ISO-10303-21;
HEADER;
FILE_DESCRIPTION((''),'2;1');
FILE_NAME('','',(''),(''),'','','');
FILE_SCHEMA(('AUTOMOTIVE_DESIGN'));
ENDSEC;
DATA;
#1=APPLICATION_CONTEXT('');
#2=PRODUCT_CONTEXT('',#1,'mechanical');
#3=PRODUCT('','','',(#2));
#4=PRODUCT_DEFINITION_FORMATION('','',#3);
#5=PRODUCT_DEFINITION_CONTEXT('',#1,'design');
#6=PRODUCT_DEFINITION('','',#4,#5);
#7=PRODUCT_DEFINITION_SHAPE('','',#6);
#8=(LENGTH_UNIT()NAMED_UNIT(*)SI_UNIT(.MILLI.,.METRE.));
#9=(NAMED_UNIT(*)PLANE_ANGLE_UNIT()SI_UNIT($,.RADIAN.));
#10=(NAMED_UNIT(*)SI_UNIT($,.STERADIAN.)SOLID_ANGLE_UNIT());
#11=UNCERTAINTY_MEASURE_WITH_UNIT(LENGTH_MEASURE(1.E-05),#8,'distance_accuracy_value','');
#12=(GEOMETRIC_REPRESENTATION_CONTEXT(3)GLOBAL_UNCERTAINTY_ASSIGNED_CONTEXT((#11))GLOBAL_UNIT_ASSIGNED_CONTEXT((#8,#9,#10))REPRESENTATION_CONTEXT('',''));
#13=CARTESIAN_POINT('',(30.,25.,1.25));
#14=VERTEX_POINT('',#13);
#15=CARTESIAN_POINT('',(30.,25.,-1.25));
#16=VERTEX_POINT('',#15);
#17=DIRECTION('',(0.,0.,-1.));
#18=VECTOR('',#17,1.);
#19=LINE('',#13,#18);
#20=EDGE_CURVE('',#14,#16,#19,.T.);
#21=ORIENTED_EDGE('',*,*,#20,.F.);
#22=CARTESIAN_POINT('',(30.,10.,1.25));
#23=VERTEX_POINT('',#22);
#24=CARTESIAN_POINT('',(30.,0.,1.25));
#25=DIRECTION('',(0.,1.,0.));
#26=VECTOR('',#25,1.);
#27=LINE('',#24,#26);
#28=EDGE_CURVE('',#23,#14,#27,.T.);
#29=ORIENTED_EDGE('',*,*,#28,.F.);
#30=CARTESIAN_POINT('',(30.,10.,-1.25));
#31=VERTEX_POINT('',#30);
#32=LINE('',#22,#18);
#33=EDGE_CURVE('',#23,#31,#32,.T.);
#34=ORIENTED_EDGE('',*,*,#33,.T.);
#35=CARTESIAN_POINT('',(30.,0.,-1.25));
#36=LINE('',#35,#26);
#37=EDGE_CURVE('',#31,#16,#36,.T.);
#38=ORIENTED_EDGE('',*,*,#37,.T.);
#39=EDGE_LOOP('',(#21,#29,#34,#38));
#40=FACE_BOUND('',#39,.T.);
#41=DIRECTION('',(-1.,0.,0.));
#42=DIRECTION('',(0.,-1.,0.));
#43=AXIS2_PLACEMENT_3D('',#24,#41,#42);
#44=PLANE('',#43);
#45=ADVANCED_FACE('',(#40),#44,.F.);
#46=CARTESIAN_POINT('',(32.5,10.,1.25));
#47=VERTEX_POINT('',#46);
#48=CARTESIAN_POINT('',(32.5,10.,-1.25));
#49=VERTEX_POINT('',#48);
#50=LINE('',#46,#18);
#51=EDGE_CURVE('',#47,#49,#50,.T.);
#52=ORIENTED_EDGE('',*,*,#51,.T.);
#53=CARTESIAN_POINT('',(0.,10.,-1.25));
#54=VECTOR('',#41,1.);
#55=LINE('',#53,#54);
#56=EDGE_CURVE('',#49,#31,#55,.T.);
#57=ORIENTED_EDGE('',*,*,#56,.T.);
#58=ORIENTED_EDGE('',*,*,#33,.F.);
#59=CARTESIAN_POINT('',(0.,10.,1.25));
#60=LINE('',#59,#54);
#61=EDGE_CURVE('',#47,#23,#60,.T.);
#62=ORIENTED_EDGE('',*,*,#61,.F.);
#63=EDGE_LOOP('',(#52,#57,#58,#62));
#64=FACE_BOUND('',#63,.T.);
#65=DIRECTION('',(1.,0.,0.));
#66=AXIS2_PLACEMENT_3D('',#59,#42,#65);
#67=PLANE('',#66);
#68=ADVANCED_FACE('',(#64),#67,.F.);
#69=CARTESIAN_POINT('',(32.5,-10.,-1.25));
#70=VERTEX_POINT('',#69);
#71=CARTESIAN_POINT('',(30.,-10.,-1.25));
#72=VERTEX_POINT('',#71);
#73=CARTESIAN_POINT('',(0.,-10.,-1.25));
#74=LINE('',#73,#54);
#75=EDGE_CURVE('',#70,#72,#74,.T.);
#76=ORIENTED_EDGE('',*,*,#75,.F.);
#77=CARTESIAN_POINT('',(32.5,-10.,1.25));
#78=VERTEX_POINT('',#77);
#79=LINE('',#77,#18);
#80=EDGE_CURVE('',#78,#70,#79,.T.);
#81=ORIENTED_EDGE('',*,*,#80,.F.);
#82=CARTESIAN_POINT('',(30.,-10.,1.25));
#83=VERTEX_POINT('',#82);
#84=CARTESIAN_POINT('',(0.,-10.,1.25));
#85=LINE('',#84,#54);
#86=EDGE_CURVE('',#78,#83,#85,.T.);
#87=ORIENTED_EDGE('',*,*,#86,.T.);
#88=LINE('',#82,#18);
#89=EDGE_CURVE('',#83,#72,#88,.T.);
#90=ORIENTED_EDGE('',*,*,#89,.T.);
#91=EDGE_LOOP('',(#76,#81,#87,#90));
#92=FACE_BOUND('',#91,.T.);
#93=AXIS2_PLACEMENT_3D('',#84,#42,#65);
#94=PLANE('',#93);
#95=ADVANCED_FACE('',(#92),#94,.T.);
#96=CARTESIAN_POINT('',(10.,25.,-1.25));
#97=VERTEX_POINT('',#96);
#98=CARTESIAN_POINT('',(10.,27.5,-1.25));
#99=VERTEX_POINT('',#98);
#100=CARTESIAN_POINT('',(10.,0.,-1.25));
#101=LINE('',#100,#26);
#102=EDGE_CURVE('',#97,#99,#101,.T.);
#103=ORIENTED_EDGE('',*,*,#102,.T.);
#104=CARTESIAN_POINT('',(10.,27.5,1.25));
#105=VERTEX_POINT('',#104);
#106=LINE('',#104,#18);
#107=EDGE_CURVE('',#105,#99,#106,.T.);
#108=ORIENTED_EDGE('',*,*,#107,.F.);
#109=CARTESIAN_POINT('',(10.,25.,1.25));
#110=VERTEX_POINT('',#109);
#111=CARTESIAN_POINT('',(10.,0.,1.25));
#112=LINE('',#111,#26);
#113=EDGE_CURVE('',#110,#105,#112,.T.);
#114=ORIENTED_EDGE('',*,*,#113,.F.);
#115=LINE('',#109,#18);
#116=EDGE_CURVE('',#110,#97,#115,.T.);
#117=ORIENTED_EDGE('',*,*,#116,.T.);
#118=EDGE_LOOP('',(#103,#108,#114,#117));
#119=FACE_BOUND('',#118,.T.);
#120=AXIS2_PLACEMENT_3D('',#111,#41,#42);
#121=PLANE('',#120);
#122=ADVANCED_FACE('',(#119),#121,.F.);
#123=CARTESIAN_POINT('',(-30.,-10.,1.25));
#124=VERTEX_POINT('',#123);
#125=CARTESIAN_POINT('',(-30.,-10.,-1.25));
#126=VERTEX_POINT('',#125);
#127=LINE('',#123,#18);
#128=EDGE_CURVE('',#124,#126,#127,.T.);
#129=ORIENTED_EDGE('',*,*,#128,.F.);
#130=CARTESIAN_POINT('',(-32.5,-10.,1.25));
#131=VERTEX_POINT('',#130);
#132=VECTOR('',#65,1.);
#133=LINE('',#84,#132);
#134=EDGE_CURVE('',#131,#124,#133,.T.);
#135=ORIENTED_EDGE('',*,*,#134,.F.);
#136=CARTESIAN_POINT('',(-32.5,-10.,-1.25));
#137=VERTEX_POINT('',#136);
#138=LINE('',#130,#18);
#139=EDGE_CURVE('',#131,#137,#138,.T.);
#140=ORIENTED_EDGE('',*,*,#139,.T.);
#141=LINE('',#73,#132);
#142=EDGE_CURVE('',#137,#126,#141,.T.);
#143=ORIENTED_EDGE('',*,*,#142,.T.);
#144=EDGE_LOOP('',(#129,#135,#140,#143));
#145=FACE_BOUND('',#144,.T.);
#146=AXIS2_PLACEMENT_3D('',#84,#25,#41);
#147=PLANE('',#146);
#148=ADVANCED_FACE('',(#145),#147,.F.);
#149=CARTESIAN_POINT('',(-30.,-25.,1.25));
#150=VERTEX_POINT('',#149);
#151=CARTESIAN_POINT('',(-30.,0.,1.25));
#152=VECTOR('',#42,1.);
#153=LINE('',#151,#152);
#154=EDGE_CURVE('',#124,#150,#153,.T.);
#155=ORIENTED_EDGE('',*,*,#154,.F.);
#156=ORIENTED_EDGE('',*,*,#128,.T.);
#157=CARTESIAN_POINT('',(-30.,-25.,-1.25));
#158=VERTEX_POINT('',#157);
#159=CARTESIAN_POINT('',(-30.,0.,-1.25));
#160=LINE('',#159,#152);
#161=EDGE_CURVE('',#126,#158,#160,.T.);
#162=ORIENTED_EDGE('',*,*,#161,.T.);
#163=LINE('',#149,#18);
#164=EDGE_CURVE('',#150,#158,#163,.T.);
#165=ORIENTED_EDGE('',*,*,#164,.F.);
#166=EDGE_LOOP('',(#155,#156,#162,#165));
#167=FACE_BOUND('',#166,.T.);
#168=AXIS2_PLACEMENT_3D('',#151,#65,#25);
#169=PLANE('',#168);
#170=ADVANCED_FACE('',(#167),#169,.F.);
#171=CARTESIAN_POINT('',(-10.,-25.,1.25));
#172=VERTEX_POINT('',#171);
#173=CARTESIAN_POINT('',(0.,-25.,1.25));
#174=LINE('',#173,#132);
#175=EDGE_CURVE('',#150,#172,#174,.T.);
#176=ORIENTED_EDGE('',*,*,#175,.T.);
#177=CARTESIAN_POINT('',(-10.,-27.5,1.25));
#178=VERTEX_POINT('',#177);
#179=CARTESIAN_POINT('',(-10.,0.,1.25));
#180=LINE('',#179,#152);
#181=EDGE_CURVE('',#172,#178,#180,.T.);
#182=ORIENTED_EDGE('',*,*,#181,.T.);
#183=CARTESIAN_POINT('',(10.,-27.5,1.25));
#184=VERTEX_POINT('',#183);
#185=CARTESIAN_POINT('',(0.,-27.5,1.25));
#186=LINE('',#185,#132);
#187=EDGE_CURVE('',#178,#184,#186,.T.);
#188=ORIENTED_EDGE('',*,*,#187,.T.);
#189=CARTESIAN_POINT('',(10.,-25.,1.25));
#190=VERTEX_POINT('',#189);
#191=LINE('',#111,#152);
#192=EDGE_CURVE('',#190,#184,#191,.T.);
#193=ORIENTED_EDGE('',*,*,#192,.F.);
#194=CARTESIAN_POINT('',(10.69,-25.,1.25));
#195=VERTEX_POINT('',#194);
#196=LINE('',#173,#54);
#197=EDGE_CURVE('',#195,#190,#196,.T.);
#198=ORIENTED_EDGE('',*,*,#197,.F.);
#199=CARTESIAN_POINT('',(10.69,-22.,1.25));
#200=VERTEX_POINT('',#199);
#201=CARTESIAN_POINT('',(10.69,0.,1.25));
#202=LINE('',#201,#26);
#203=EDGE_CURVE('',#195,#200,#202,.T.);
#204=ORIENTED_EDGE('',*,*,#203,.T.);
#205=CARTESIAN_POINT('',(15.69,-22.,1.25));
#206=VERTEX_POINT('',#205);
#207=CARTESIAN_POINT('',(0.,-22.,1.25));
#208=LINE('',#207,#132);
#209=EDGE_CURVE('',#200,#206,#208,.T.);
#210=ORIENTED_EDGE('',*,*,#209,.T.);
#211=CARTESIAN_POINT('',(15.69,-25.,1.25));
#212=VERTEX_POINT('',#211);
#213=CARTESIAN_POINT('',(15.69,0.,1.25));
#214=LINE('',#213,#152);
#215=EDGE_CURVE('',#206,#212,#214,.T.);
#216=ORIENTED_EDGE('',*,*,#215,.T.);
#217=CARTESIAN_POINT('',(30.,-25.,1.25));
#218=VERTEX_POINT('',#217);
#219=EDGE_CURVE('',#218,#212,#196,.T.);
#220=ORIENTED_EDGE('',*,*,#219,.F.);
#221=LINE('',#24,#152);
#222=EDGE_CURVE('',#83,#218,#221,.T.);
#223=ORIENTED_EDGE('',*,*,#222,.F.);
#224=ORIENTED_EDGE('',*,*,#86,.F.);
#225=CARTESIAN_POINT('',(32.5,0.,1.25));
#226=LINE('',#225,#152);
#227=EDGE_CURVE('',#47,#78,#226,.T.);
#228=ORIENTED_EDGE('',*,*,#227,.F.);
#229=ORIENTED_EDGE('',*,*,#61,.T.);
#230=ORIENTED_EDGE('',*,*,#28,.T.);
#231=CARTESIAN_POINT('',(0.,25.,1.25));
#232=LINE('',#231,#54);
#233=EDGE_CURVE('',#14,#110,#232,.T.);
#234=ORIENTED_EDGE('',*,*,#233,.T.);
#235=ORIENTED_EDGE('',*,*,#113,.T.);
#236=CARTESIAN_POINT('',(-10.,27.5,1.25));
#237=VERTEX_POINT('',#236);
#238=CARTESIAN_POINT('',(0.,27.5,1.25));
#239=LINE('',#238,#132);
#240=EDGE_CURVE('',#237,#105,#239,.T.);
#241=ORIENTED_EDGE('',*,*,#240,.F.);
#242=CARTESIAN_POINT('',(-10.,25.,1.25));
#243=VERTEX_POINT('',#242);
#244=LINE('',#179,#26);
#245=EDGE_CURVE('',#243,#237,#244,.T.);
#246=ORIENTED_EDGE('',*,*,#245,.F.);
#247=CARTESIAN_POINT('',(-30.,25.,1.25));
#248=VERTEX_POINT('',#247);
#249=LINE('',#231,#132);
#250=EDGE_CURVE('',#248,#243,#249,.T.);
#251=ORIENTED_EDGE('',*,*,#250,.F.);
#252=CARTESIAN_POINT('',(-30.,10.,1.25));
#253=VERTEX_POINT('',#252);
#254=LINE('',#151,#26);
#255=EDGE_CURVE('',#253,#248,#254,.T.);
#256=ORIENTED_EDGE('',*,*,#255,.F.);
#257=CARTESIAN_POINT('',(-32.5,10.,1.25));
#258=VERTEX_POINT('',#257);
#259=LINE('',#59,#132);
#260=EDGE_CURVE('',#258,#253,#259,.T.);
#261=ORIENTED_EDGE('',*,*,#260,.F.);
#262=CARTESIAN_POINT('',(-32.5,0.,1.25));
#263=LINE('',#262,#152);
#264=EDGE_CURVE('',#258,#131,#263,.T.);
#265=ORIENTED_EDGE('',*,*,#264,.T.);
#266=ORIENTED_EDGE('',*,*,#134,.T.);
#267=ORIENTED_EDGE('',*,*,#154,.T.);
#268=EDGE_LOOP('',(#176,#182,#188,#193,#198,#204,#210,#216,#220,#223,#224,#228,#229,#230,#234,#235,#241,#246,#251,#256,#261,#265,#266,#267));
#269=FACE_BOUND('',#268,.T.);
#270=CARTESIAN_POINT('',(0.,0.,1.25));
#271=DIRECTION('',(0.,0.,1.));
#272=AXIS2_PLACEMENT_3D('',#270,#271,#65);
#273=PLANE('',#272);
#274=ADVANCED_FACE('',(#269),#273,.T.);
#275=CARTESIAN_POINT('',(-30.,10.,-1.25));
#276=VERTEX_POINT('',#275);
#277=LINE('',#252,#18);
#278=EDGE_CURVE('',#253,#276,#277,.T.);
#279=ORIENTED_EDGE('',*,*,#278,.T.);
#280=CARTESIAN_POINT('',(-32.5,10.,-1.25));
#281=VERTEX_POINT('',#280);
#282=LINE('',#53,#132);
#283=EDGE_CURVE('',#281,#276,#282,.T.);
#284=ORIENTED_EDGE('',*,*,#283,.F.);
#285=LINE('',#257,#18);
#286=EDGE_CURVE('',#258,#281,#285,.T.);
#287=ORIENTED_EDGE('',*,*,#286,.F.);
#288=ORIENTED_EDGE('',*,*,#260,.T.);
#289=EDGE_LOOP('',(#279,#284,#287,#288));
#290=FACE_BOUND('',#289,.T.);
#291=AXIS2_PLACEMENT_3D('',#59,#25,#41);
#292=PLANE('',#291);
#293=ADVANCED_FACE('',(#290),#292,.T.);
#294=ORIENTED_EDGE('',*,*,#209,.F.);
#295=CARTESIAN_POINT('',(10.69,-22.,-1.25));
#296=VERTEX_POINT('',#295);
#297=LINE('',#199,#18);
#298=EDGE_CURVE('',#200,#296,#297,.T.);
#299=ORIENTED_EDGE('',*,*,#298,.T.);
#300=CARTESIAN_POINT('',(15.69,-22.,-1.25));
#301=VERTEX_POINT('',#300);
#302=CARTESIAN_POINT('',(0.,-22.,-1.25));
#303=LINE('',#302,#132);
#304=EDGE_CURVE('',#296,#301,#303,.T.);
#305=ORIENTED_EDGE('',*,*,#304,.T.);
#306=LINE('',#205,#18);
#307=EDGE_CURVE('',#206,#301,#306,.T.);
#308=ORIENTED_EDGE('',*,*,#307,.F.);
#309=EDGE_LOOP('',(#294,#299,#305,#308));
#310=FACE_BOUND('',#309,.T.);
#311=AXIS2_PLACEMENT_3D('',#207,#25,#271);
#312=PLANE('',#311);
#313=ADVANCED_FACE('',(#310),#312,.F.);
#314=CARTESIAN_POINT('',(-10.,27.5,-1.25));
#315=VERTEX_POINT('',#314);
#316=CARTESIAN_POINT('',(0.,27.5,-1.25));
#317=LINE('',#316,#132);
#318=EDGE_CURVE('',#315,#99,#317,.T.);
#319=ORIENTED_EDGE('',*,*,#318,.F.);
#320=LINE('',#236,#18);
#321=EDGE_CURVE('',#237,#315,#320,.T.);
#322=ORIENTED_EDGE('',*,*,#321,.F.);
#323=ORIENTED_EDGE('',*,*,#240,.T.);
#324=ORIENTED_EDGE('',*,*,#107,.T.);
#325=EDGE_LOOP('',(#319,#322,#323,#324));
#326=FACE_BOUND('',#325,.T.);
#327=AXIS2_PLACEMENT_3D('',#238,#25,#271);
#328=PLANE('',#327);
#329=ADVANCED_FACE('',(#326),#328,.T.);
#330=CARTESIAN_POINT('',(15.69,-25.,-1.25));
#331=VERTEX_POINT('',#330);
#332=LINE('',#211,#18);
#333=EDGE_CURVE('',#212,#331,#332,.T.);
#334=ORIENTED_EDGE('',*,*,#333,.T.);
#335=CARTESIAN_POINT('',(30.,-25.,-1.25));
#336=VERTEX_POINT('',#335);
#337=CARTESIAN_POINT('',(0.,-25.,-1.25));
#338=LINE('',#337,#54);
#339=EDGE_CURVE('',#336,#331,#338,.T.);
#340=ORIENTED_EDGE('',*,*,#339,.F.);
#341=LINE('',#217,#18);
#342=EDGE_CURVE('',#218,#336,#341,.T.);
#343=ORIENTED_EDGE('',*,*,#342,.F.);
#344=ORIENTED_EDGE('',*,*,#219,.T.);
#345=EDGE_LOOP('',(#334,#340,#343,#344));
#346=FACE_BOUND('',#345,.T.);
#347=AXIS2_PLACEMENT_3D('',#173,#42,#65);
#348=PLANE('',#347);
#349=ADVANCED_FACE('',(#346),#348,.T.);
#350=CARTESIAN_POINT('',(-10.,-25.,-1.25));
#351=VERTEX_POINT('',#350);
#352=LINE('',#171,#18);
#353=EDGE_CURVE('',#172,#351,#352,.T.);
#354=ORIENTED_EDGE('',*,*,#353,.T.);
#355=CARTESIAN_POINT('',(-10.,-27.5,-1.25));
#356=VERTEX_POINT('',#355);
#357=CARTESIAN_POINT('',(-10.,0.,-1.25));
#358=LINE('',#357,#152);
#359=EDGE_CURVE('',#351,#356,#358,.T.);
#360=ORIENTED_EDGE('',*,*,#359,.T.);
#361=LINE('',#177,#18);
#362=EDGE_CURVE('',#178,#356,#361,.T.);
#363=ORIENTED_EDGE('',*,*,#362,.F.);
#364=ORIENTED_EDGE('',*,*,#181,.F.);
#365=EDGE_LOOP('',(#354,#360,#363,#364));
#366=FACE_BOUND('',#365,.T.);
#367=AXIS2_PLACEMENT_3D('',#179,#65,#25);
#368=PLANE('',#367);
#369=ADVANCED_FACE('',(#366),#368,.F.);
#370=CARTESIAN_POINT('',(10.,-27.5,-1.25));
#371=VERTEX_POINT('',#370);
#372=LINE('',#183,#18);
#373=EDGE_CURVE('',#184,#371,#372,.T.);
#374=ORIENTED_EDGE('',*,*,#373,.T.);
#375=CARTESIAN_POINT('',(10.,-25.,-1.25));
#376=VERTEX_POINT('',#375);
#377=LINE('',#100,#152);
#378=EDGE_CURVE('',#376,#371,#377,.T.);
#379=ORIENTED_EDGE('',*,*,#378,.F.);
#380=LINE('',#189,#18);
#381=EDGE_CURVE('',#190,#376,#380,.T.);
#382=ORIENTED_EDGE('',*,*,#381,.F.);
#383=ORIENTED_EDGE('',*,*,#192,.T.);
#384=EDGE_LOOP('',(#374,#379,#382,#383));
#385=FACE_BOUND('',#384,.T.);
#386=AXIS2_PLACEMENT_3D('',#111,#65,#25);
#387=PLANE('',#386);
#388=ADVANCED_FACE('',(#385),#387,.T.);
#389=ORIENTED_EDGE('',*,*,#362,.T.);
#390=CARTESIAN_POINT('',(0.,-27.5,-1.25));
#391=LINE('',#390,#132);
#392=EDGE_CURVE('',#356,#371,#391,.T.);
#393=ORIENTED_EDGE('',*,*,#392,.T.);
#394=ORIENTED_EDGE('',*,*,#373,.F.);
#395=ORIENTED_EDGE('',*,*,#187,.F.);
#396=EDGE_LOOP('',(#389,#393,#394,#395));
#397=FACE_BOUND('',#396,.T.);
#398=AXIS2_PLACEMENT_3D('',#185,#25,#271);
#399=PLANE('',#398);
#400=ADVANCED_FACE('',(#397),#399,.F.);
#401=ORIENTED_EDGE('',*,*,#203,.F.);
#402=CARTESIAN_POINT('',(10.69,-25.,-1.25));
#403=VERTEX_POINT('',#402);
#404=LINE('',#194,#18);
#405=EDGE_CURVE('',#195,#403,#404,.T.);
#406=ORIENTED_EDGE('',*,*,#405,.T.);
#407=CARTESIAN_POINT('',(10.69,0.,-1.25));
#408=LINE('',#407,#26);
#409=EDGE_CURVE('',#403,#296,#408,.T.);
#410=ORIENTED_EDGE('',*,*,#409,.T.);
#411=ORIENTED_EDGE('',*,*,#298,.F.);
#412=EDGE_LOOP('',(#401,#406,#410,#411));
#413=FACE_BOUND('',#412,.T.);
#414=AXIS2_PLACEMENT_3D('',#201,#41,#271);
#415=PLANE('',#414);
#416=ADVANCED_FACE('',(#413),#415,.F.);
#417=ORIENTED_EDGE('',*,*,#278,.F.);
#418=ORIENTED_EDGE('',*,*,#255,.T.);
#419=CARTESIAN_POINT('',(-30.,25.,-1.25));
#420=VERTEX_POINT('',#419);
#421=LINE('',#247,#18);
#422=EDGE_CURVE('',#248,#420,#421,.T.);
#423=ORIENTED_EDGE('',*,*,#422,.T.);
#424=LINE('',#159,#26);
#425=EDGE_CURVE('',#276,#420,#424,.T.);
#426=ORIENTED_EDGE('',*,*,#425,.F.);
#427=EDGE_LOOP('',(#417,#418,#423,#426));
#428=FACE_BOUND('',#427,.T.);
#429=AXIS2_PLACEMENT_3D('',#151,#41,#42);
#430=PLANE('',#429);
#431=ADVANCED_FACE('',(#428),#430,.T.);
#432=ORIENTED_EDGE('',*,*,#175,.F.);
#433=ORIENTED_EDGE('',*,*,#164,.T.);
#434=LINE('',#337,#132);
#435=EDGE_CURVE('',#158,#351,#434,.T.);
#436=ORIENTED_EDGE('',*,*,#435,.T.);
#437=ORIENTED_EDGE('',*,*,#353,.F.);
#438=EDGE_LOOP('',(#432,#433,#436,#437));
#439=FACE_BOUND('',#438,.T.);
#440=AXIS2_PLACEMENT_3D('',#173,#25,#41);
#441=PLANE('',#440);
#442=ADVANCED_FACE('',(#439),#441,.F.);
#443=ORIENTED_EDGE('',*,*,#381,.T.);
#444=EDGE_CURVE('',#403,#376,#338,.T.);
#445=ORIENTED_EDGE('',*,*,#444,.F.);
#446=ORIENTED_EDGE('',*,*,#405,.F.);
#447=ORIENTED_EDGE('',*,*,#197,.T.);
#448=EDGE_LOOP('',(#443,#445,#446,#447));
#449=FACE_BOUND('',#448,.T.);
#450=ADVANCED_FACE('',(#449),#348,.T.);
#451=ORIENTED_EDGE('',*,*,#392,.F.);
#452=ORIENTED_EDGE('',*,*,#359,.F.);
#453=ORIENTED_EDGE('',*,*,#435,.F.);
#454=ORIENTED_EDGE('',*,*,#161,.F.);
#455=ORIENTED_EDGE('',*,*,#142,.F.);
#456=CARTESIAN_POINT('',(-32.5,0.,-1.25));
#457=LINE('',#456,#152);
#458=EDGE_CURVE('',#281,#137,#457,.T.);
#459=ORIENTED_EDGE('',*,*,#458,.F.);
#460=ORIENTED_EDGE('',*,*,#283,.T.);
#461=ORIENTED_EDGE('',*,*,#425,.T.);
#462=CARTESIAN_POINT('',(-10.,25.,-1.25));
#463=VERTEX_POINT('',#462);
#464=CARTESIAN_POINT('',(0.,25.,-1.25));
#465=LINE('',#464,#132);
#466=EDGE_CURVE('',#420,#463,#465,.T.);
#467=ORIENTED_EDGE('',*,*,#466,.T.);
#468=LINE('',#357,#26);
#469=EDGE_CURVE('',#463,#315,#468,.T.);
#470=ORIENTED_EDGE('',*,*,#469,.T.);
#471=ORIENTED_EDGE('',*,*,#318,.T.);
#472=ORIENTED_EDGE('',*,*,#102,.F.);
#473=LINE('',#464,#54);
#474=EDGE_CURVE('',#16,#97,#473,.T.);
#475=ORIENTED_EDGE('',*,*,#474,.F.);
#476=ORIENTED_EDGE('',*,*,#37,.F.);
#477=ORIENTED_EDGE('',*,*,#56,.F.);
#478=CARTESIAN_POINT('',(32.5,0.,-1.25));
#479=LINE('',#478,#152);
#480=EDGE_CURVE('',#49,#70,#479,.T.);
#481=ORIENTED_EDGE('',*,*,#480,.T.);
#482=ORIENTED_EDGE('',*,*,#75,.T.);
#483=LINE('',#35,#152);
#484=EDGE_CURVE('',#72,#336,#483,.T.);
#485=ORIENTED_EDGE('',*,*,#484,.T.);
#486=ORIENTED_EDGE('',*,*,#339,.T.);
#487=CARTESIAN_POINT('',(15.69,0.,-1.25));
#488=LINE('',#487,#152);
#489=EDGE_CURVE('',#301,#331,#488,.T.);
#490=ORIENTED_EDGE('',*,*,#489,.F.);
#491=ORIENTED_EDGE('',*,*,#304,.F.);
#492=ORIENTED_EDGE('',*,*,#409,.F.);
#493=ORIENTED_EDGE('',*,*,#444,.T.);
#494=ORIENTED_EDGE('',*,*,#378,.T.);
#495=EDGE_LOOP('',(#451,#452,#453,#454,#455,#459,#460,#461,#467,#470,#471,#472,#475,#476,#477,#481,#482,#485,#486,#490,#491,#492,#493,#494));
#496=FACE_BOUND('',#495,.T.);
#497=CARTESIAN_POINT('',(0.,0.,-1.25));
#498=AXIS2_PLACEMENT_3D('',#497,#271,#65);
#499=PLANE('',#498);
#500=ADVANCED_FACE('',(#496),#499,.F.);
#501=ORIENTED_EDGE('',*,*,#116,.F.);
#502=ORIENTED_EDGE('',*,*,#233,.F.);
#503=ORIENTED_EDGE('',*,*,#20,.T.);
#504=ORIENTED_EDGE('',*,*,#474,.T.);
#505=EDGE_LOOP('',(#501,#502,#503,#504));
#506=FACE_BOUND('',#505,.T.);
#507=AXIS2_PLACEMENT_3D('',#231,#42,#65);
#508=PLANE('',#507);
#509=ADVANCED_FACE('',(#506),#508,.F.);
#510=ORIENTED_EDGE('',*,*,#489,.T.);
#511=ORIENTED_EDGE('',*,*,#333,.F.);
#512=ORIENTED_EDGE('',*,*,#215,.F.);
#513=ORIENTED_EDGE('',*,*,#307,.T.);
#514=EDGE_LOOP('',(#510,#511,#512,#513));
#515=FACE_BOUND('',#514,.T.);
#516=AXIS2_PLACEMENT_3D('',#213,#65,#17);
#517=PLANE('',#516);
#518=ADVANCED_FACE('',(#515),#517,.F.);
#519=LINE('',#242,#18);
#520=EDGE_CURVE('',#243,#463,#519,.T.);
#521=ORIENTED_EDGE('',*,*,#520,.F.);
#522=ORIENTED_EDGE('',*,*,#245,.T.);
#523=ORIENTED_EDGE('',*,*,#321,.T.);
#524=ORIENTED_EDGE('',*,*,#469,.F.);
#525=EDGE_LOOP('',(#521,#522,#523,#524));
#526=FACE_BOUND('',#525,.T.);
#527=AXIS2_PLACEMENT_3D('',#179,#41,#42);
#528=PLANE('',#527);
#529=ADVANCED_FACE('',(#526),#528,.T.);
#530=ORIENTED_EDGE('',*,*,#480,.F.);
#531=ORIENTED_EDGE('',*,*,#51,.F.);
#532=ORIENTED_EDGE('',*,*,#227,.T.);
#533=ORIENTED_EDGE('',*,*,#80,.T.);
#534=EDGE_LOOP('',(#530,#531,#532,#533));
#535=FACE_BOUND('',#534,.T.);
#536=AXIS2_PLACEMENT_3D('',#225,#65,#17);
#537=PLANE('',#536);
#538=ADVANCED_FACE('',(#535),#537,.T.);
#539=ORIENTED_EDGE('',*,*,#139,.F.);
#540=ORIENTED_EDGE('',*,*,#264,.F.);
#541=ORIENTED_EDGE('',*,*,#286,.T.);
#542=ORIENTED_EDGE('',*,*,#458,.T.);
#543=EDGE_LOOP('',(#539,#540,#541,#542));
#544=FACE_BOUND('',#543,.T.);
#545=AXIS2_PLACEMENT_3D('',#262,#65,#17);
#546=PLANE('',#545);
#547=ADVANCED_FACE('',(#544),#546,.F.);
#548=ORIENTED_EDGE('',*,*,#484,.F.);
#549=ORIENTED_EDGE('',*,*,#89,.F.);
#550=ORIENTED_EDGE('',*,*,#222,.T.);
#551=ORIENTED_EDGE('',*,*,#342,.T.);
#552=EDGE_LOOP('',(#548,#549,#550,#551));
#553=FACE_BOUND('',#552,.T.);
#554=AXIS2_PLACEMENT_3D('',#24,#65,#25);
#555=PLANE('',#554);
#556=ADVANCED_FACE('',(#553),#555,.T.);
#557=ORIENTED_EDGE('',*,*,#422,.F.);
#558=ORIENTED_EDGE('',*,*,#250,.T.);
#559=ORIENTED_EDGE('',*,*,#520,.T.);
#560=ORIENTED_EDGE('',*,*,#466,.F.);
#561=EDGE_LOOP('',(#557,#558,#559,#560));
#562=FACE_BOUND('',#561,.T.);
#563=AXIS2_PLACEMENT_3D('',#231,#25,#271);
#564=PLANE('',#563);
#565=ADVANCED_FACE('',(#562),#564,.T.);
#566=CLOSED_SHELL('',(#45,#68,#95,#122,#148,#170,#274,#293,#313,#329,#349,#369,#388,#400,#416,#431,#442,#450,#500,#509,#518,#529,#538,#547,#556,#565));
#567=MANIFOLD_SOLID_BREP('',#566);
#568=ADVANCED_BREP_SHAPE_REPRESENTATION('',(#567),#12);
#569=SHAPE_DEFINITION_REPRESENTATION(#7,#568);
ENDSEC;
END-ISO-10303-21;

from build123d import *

# Parameters (mm, degrees)
BOSS_EXTRUDE1_DEPTH = 1.25


with BuildPart() as part:
    # Sketch1 → Boss-Extrude1 (new, symmetric)
    with BuildSketch(Plane.XY):
        Polygon((-30, 10), (-32.5, 10), (-32.5, -10), (-30, -10), (-30, -25), (-10, -25), (-10, -27.5), (10, -27.5), (10, -25), (10.69, -25), (10.69, -22), (15.69, -22), (15.69, -25), (30, -25), (30, -10), (32.5, -10), (32.5, 10), (30, 10), (30, 25), (10, 25), (10, 27.5), (-10, 27.5), (-10, 25), (-30, 25), align=None)
    extrude(amount=BOSS_EXTRUDE1_DEPTH, both=True)


solid = part.part
